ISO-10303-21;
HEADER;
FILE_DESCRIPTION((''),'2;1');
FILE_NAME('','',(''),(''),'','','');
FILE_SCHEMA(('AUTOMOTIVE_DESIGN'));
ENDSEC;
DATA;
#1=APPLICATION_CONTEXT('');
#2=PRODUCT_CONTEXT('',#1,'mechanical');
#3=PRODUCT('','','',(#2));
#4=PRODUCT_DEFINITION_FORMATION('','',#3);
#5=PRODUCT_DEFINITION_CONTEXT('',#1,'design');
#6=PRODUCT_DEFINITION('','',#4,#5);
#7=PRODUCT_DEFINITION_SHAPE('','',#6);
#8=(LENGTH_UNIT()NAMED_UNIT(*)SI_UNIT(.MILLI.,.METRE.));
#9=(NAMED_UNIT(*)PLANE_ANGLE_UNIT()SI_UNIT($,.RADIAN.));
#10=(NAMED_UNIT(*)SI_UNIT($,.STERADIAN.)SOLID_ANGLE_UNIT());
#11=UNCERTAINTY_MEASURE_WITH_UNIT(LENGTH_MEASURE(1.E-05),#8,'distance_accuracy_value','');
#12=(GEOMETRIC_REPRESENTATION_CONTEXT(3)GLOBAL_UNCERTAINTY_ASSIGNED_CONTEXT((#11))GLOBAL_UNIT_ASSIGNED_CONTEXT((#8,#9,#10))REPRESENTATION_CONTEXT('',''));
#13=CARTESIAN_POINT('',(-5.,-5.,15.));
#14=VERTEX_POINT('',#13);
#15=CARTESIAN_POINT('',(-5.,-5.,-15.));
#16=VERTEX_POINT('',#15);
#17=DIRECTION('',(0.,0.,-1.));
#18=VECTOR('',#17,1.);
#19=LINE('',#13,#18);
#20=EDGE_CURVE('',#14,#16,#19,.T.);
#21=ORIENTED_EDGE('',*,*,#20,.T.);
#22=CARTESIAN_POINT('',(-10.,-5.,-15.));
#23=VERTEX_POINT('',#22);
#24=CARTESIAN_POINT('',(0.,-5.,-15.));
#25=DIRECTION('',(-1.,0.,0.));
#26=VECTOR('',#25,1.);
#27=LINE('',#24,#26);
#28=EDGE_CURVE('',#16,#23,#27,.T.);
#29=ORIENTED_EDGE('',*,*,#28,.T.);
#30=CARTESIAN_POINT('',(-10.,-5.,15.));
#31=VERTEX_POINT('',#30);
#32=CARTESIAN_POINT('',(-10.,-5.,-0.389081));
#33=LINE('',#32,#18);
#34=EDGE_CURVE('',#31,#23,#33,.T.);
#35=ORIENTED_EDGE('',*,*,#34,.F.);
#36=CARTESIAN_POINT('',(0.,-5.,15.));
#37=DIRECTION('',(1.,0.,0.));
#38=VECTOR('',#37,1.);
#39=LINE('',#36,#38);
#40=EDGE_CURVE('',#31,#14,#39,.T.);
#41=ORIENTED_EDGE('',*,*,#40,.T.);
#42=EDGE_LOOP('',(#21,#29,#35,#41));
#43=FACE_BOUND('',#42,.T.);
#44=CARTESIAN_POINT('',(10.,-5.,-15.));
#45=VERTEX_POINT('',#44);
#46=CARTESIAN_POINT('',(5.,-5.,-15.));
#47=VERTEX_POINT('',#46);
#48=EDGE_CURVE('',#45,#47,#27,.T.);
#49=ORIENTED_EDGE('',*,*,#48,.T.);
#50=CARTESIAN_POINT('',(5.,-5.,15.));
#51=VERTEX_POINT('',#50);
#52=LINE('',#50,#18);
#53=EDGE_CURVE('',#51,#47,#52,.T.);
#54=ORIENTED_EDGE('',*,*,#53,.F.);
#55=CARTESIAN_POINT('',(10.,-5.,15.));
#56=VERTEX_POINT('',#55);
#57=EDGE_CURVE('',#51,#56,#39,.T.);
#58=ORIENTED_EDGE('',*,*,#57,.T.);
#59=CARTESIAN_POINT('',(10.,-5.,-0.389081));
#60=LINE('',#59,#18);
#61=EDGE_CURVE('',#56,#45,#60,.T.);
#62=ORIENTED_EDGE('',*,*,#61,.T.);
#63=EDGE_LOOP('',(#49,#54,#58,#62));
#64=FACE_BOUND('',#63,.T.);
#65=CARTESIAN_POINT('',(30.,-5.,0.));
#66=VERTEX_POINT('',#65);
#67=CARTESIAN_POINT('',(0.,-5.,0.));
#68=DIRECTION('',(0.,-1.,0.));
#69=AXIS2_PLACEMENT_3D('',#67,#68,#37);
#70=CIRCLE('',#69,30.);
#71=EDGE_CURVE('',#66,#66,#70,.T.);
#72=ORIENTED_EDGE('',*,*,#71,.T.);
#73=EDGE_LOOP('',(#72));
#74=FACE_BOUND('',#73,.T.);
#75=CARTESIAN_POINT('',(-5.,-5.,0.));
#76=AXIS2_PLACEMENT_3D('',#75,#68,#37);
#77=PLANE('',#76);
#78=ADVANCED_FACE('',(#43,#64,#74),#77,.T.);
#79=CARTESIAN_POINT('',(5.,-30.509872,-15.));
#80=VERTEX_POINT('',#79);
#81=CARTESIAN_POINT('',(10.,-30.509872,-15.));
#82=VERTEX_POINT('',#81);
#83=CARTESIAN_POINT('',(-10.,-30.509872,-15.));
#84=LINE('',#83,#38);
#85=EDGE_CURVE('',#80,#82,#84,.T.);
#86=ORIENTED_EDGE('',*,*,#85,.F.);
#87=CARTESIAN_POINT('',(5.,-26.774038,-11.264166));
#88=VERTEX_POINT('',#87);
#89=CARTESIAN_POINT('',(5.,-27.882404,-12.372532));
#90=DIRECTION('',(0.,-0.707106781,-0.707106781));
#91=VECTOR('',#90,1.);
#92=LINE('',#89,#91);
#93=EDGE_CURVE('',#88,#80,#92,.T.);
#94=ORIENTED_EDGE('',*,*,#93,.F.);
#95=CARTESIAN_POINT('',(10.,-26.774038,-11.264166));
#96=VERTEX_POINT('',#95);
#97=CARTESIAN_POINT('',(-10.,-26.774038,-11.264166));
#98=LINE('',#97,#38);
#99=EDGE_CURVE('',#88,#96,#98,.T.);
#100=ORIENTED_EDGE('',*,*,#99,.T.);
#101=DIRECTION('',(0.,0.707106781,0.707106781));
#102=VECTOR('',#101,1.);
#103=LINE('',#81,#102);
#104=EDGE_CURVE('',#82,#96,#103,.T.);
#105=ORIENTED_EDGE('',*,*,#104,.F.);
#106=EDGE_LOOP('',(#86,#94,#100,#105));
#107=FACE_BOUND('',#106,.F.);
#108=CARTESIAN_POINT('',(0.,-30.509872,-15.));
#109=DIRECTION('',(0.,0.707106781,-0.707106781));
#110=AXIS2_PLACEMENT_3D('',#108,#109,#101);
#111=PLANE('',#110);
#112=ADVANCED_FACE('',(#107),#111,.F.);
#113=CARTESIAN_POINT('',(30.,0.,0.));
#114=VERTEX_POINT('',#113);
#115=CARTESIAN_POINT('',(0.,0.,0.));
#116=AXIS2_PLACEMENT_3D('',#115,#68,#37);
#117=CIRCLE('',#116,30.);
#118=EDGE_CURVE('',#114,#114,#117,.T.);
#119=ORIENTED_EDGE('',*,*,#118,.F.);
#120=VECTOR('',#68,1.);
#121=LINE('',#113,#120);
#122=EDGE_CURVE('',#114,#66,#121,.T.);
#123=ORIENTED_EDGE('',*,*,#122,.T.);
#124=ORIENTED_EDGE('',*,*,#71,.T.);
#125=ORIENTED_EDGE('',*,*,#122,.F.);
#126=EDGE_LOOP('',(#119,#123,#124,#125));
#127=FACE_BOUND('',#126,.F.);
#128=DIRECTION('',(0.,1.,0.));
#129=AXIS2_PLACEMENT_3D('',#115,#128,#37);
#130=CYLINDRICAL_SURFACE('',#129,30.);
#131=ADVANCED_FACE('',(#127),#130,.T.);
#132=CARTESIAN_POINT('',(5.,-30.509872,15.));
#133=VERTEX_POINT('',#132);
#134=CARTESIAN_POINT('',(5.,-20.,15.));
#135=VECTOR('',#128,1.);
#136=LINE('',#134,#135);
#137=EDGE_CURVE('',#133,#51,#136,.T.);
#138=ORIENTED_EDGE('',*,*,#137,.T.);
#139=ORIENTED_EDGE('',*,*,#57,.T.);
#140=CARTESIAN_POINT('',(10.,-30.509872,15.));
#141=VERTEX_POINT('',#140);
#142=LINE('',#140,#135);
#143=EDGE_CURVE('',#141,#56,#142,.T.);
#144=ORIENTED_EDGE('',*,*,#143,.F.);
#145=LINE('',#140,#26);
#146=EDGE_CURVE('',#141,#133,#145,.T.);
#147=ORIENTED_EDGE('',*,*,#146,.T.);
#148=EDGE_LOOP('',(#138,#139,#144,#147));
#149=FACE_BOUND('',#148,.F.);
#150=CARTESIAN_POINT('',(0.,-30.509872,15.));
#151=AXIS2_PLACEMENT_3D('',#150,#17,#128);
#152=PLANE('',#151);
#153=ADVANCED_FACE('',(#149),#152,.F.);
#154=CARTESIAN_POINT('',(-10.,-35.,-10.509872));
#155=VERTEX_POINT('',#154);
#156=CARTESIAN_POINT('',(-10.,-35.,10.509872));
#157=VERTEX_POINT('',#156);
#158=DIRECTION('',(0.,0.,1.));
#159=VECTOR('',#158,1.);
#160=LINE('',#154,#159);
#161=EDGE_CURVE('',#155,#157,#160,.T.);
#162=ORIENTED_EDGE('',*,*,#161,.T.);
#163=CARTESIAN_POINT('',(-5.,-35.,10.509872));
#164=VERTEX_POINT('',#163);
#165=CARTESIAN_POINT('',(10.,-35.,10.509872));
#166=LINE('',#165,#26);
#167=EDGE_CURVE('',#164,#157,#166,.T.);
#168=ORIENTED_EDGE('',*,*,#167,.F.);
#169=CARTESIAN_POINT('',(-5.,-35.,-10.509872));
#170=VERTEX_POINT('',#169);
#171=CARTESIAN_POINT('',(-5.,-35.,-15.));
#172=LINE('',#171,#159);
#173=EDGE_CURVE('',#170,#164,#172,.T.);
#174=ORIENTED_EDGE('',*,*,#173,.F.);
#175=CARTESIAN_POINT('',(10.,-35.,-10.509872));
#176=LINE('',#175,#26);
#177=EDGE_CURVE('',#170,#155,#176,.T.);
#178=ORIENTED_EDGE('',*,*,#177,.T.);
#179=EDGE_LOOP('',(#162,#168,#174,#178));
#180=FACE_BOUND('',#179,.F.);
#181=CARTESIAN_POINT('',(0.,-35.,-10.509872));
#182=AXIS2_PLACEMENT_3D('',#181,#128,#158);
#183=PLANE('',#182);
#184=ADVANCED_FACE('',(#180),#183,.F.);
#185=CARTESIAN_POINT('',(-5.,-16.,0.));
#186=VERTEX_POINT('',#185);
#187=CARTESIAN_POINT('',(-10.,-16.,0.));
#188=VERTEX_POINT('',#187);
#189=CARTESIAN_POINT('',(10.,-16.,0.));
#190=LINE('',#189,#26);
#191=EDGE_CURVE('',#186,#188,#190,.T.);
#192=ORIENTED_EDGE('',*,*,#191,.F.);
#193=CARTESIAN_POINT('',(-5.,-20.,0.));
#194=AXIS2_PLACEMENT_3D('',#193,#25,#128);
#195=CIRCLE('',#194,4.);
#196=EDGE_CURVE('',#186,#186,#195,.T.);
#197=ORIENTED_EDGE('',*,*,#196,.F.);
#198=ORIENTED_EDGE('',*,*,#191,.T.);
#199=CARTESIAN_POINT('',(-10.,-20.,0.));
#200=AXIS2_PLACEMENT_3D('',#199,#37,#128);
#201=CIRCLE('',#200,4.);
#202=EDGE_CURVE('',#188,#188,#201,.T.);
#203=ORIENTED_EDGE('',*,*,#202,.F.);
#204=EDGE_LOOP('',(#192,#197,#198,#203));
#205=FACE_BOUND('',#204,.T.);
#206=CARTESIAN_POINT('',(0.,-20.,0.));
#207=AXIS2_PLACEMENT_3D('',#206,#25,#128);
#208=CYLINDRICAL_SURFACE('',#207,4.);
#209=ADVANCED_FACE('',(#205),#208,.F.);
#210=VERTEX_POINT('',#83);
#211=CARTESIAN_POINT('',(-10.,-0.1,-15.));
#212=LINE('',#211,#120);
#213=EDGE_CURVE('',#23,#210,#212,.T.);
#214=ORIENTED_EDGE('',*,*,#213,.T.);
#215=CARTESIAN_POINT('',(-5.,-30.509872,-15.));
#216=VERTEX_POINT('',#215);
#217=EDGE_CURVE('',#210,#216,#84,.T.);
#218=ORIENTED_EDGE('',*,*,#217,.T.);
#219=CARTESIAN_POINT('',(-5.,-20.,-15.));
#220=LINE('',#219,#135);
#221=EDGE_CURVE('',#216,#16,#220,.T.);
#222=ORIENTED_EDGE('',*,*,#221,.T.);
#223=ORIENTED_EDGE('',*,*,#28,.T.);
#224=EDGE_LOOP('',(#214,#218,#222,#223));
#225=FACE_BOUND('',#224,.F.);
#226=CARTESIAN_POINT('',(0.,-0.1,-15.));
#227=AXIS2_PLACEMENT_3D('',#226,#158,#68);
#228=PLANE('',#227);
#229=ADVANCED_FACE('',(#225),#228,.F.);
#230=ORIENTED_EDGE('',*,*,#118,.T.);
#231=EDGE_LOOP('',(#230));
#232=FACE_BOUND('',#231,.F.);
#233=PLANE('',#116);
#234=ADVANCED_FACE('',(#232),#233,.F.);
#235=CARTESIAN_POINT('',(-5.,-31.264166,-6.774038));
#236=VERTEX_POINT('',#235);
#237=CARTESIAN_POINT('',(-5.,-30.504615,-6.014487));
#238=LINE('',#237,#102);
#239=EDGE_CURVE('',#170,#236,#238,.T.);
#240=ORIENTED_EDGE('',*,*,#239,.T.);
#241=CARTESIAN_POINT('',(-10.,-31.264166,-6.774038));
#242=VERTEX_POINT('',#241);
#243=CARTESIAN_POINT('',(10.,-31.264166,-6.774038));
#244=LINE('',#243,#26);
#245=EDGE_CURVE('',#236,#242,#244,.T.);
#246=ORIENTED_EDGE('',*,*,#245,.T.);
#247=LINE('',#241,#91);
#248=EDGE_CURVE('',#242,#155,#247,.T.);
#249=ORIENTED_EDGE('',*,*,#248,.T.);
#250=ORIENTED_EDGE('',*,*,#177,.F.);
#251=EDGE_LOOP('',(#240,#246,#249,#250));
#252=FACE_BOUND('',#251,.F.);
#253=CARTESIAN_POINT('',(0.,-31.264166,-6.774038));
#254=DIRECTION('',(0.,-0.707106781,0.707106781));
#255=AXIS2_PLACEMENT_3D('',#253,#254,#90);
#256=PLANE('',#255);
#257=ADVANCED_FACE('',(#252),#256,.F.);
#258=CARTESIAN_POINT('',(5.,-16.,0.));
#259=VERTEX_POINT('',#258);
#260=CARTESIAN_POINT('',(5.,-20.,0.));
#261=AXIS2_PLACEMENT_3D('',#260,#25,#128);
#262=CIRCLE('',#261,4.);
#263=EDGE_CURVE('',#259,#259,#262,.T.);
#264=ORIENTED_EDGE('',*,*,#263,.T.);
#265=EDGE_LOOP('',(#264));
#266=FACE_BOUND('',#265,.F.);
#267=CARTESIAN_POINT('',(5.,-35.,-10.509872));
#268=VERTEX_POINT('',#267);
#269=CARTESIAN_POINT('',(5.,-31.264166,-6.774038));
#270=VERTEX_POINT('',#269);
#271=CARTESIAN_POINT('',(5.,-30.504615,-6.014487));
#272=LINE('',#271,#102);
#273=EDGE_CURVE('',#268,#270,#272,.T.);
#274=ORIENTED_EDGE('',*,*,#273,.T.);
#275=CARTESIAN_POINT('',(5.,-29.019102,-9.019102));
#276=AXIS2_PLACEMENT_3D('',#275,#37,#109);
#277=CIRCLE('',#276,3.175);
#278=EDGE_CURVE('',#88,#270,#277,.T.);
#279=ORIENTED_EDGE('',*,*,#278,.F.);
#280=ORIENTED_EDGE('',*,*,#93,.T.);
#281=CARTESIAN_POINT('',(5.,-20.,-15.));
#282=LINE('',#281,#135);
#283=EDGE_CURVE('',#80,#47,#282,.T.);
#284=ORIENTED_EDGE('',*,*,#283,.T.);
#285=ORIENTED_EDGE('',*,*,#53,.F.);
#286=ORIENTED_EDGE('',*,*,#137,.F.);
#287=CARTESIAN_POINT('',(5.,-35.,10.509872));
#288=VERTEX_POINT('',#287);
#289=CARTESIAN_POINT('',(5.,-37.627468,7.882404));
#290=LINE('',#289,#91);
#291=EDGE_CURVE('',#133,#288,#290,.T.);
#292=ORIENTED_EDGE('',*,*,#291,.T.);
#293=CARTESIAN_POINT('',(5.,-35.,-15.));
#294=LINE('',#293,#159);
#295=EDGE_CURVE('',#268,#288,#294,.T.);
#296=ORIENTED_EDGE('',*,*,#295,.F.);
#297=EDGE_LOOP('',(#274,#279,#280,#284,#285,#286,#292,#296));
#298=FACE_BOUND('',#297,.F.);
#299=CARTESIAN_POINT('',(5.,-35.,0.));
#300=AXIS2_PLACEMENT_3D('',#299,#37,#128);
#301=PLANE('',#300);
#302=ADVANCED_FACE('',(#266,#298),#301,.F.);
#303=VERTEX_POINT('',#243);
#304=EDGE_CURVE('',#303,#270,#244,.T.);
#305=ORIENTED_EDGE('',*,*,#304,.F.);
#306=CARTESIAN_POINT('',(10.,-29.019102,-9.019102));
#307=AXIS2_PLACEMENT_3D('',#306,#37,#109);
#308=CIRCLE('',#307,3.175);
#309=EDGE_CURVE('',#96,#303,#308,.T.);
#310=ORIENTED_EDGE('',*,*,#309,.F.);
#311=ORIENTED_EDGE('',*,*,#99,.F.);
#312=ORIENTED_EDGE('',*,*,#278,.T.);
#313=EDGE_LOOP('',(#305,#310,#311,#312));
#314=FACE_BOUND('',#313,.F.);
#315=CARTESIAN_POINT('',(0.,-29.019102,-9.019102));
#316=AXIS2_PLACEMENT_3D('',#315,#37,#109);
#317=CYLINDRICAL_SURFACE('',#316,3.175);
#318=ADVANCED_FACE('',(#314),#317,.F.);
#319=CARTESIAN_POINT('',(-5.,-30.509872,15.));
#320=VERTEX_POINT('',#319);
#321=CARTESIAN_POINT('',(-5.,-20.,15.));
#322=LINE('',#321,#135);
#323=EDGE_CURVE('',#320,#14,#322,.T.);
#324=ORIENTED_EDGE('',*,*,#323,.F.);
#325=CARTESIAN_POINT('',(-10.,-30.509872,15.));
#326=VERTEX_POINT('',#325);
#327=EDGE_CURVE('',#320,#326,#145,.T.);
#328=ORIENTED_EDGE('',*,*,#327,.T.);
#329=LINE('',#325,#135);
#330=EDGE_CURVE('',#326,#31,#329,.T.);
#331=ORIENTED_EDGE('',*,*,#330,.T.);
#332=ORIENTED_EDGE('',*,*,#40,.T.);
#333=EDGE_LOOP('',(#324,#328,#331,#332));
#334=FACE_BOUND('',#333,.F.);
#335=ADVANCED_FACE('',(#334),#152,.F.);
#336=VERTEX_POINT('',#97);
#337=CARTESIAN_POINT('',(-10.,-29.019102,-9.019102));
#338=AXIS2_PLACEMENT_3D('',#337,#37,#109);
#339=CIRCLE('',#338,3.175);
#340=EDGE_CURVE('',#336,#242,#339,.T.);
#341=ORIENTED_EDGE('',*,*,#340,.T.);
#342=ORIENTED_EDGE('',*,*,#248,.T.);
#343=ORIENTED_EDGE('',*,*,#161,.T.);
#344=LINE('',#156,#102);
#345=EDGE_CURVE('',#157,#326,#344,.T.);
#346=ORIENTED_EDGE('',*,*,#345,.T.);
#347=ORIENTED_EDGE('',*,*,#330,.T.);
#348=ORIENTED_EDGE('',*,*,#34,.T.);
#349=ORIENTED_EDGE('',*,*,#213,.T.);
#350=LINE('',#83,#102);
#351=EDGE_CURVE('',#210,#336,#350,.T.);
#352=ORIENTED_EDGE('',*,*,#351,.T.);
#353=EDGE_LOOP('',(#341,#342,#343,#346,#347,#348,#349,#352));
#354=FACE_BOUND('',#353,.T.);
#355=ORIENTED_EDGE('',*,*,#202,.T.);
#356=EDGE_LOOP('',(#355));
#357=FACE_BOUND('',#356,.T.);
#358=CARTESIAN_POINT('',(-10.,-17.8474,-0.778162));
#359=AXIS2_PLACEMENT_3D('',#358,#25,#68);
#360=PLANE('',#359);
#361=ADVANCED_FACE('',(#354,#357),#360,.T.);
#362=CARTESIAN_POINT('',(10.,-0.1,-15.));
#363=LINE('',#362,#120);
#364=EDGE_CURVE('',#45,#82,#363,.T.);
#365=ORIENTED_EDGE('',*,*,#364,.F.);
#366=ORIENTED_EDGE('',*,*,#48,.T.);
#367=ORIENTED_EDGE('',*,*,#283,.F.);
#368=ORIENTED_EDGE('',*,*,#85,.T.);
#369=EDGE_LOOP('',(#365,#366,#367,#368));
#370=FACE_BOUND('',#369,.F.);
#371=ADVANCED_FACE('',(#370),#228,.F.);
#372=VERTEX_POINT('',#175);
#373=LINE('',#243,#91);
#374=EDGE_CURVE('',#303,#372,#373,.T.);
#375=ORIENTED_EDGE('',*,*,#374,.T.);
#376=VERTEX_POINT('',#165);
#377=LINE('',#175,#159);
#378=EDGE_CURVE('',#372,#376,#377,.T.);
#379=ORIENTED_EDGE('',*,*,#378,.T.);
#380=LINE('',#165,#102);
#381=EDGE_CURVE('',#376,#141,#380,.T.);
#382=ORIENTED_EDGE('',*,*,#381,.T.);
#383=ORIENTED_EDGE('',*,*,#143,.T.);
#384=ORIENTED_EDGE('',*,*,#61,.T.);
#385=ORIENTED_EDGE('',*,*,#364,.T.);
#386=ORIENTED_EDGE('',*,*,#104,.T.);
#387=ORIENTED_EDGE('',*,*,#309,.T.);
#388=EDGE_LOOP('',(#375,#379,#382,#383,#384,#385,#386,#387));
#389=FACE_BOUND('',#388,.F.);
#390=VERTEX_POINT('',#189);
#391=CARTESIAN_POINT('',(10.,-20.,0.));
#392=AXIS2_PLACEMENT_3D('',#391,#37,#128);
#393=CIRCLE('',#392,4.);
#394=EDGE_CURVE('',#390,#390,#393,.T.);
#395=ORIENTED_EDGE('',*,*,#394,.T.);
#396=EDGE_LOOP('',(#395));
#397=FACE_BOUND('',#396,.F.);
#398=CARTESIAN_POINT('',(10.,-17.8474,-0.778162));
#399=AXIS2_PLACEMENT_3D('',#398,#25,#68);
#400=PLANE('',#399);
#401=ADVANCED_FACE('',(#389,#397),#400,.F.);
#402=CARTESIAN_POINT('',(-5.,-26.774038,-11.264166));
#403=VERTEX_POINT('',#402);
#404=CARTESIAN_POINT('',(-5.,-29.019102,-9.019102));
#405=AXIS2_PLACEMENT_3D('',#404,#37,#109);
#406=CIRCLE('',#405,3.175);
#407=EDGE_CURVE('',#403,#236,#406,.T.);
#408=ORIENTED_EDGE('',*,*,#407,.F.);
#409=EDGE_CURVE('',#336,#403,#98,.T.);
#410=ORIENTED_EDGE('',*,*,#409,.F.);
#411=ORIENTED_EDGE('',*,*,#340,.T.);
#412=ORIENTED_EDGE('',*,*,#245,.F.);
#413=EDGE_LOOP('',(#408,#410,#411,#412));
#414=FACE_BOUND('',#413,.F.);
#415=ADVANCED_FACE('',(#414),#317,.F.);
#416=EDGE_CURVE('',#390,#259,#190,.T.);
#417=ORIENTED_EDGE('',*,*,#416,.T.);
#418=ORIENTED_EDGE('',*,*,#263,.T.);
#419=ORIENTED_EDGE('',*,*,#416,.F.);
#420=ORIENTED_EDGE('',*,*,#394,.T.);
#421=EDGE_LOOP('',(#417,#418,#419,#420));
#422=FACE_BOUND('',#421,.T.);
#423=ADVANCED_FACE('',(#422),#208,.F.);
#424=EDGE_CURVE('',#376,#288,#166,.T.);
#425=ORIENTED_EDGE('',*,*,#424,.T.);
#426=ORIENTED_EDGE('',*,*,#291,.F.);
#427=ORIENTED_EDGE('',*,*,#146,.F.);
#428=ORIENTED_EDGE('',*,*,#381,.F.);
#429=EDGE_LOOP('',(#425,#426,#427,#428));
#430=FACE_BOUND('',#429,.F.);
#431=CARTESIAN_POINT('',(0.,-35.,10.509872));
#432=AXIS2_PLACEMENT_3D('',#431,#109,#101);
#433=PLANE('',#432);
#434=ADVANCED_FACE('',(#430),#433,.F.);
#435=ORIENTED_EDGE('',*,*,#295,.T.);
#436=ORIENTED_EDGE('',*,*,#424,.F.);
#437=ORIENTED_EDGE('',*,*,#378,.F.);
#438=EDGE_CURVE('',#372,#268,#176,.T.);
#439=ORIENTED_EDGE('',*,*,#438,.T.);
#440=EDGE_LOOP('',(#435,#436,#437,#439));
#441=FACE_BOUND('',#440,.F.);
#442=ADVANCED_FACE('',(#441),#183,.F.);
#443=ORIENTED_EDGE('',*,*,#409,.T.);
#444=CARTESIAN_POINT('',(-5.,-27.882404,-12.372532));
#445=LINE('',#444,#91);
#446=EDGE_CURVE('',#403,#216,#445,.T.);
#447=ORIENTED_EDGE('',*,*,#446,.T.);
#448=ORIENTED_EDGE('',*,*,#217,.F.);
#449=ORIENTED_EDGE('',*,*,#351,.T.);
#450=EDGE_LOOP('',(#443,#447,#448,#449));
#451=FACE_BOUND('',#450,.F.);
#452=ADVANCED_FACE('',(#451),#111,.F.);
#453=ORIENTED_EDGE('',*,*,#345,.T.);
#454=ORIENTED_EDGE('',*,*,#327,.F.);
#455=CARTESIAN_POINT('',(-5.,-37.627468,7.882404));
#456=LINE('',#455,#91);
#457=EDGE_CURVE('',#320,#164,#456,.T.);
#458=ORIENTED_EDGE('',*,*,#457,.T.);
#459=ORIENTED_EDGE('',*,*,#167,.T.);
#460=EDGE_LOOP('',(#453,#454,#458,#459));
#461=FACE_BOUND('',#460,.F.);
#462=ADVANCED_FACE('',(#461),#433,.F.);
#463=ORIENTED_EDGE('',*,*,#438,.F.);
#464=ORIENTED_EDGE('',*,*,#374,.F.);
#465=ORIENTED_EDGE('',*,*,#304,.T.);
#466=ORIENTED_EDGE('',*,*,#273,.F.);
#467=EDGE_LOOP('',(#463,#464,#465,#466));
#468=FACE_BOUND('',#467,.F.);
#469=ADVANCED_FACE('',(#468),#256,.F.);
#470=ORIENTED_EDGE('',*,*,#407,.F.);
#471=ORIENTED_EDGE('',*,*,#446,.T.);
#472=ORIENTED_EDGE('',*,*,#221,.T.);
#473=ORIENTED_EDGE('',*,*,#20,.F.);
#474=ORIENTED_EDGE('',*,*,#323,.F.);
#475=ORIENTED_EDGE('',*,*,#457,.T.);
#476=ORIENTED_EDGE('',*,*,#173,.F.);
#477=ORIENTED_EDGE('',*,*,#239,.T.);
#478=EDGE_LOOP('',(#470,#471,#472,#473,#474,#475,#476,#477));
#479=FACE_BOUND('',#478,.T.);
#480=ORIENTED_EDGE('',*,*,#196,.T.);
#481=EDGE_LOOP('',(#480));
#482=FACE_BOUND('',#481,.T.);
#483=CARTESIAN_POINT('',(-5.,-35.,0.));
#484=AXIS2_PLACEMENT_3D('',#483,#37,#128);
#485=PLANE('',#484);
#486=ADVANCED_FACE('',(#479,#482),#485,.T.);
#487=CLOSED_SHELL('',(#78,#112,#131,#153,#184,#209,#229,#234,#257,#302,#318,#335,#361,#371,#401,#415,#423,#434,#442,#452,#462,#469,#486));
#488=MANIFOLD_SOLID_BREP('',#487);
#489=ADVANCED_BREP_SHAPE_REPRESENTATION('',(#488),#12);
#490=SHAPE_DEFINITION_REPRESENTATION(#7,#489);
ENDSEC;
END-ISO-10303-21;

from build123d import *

# Parameters (mm, degrees)
SKETCH001_R  = 30
PAD_DEPTH    = 5
SKETCH_R     = 4
PAD001_DEPTH = 10
SKETCH002_W  = 10
SKETCH002_H  = 30
POCKET_DEPTH = 15


with BuildPart() as part:
    # Sketch001 → Pad (new body)
    with BuildSketch(Plane.XZ):
        Circle(SKETCH001_R)
    extrude(amount=PAD_DEPTH)

    # Sketch → Pad001 (join, symmetric)
    with BuildSketch(Plane.YZ):
        with BuildLine():
            ThreePointArc((-26.774038, -11.264166), (-26.774038, -6.774038), (-31.264166, -6.774038))
            Line((-31.264166, -6.774038), (-35, -10.509872))
            Line((-35, -10.509872), (-35, 10.509872))
            Line((-35, 10.509872), (-30.509872, 15))
            Line((-30.509872, 15), (-0.1, 15))
            Line((-0.1, 15), (-0.1, -15))
            Line((-0.1, -15), (-30.509872, -15))
            Line((-30.509872, -15), (-26.774038, -11.264166))
        make_face()
        with Locations((-20, 0)):
            Circle(SKETCH_R, mode=Mode.SUBTRACT)
    extrude(amount=PAD001_DEPTH, both=True)

    # Sketch002 → Pocket (cut, symmetric)
    with BuildSketch(Plane.XY):
        with Locations((0, -20)):
            Rectangle(SKETCH002_W, SKETCH002_H)
    extrude(amount=POCKET_DEPTH, both=True, mode=Mode.SUBTRACT)


solid = part.part
